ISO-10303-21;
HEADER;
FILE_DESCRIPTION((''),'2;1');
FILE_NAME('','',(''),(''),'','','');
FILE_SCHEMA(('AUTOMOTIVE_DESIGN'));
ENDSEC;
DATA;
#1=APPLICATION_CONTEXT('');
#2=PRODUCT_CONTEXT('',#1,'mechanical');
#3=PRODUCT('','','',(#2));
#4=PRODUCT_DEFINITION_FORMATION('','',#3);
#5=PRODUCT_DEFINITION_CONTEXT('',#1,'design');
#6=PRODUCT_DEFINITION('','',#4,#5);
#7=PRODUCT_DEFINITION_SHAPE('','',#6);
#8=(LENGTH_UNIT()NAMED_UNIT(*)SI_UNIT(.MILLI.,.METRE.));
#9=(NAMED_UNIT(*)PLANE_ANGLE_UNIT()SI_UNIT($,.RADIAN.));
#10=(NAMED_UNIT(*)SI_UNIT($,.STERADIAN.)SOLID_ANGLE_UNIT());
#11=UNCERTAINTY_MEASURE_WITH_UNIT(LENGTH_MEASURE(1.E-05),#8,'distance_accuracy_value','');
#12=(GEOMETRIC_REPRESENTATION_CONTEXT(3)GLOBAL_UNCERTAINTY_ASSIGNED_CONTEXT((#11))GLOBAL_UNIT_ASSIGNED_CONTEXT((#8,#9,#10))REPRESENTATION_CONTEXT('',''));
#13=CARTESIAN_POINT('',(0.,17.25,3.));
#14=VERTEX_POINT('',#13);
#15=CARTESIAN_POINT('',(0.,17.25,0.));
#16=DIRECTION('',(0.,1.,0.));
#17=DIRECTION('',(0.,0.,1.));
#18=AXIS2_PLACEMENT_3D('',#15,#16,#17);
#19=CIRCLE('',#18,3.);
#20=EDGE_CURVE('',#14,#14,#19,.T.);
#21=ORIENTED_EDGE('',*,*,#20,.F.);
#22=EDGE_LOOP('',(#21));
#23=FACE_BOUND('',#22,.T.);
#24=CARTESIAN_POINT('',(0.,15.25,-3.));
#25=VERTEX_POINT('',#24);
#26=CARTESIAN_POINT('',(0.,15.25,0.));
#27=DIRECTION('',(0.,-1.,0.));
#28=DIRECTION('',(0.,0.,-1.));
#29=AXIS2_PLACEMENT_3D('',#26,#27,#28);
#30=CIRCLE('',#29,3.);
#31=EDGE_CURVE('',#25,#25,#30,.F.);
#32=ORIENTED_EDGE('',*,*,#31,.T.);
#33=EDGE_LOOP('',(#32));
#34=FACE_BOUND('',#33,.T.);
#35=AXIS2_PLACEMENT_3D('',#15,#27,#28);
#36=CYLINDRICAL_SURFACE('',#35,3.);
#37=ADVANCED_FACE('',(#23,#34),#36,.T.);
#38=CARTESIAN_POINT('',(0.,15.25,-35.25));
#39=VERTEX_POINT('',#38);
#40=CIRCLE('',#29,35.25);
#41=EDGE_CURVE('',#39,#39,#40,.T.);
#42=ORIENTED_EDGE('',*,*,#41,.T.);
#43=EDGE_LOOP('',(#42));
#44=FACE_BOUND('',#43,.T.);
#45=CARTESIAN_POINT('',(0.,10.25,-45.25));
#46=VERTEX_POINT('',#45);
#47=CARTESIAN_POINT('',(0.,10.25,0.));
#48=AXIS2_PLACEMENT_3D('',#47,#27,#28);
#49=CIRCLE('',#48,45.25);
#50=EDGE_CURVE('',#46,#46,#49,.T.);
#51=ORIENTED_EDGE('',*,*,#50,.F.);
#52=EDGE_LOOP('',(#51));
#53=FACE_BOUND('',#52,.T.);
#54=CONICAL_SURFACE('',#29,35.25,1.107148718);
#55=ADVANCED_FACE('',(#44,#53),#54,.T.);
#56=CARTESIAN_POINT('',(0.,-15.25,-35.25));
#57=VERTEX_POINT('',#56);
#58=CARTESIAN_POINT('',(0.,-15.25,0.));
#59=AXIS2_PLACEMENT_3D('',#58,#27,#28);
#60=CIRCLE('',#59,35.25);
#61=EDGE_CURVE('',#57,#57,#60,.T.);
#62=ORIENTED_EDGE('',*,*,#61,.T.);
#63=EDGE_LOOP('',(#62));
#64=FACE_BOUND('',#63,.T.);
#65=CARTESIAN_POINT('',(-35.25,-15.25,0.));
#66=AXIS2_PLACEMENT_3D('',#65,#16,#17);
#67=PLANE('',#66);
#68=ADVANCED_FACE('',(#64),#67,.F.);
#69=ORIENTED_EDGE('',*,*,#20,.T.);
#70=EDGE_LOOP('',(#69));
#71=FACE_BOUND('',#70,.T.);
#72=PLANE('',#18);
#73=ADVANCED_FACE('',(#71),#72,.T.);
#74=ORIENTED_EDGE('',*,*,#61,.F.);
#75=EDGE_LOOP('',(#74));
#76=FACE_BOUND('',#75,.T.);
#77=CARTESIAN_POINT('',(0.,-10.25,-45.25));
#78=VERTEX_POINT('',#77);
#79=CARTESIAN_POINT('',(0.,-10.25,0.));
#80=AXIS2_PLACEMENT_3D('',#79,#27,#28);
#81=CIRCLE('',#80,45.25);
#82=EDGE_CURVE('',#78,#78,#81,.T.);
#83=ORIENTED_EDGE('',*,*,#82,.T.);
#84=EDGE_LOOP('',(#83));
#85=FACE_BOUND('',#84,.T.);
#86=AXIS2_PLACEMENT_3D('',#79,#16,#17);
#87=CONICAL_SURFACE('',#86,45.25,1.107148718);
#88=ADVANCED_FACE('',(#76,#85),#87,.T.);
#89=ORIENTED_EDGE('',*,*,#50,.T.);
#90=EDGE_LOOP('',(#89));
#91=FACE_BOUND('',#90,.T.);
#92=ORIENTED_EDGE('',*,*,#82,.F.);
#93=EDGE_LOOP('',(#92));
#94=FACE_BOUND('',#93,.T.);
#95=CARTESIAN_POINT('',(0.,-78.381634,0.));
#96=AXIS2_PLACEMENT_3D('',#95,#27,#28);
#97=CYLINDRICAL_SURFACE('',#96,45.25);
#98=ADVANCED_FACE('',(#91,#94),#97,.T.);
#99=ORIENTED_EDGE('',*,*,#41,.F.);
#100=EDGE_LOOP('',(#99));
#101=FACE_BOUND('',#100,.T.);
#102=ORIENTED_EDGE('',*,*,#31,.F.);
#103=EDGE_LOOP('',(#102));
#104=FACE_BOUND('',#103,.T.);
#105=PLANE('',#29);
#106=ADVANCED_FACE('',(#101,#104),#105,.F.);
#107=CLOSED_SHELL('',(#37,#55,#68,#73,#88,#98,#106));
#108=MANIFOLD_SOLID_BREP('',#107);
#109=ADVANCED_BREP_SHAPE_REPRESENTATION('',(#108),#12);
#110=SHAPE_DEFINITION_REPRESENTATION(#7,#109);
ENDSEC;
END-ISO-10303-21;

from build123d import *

# Parameters (mm, degrees)
ESQUISSE2_R        = 3
BOSS_EXTRU_1_DEPTH = 2


with BuildPart() as part:
    # Esquisse1 → Révolution1 (revolve)
    with BuildSketch(Plane.XY, mode=Mode.PRIVATE) as r_volution1_sk:
        Polygon((0, 15.25), (-35.25, 15.25), (-45.25, 10.25), (-45.25, -10.25), (-35.25, -15.25), (0, -15.25), align=None)
    revolve(r_volution1_sk.sketch.rotate(Axis((0, -78.381633957, 0), (0, 1, 0)), 270), axis=Axis((0, -78.381633957, 0), (0, 1, 0)))

    # Esquisse2 → Boss.-Extru.1 (add)
    with BuildSketch(Plane(origin=(0, 15.25, 0), x_dir=(1, 0, 0), z_dir=(0, 1, 0))):
        with Locations(Location((0, 0, 0), (0, 0, 90))):
            Circle(ESQUISSE2_R)
    extrude(amount=BOSS_EXTRU_1_DEPTH)


solid = part.part
